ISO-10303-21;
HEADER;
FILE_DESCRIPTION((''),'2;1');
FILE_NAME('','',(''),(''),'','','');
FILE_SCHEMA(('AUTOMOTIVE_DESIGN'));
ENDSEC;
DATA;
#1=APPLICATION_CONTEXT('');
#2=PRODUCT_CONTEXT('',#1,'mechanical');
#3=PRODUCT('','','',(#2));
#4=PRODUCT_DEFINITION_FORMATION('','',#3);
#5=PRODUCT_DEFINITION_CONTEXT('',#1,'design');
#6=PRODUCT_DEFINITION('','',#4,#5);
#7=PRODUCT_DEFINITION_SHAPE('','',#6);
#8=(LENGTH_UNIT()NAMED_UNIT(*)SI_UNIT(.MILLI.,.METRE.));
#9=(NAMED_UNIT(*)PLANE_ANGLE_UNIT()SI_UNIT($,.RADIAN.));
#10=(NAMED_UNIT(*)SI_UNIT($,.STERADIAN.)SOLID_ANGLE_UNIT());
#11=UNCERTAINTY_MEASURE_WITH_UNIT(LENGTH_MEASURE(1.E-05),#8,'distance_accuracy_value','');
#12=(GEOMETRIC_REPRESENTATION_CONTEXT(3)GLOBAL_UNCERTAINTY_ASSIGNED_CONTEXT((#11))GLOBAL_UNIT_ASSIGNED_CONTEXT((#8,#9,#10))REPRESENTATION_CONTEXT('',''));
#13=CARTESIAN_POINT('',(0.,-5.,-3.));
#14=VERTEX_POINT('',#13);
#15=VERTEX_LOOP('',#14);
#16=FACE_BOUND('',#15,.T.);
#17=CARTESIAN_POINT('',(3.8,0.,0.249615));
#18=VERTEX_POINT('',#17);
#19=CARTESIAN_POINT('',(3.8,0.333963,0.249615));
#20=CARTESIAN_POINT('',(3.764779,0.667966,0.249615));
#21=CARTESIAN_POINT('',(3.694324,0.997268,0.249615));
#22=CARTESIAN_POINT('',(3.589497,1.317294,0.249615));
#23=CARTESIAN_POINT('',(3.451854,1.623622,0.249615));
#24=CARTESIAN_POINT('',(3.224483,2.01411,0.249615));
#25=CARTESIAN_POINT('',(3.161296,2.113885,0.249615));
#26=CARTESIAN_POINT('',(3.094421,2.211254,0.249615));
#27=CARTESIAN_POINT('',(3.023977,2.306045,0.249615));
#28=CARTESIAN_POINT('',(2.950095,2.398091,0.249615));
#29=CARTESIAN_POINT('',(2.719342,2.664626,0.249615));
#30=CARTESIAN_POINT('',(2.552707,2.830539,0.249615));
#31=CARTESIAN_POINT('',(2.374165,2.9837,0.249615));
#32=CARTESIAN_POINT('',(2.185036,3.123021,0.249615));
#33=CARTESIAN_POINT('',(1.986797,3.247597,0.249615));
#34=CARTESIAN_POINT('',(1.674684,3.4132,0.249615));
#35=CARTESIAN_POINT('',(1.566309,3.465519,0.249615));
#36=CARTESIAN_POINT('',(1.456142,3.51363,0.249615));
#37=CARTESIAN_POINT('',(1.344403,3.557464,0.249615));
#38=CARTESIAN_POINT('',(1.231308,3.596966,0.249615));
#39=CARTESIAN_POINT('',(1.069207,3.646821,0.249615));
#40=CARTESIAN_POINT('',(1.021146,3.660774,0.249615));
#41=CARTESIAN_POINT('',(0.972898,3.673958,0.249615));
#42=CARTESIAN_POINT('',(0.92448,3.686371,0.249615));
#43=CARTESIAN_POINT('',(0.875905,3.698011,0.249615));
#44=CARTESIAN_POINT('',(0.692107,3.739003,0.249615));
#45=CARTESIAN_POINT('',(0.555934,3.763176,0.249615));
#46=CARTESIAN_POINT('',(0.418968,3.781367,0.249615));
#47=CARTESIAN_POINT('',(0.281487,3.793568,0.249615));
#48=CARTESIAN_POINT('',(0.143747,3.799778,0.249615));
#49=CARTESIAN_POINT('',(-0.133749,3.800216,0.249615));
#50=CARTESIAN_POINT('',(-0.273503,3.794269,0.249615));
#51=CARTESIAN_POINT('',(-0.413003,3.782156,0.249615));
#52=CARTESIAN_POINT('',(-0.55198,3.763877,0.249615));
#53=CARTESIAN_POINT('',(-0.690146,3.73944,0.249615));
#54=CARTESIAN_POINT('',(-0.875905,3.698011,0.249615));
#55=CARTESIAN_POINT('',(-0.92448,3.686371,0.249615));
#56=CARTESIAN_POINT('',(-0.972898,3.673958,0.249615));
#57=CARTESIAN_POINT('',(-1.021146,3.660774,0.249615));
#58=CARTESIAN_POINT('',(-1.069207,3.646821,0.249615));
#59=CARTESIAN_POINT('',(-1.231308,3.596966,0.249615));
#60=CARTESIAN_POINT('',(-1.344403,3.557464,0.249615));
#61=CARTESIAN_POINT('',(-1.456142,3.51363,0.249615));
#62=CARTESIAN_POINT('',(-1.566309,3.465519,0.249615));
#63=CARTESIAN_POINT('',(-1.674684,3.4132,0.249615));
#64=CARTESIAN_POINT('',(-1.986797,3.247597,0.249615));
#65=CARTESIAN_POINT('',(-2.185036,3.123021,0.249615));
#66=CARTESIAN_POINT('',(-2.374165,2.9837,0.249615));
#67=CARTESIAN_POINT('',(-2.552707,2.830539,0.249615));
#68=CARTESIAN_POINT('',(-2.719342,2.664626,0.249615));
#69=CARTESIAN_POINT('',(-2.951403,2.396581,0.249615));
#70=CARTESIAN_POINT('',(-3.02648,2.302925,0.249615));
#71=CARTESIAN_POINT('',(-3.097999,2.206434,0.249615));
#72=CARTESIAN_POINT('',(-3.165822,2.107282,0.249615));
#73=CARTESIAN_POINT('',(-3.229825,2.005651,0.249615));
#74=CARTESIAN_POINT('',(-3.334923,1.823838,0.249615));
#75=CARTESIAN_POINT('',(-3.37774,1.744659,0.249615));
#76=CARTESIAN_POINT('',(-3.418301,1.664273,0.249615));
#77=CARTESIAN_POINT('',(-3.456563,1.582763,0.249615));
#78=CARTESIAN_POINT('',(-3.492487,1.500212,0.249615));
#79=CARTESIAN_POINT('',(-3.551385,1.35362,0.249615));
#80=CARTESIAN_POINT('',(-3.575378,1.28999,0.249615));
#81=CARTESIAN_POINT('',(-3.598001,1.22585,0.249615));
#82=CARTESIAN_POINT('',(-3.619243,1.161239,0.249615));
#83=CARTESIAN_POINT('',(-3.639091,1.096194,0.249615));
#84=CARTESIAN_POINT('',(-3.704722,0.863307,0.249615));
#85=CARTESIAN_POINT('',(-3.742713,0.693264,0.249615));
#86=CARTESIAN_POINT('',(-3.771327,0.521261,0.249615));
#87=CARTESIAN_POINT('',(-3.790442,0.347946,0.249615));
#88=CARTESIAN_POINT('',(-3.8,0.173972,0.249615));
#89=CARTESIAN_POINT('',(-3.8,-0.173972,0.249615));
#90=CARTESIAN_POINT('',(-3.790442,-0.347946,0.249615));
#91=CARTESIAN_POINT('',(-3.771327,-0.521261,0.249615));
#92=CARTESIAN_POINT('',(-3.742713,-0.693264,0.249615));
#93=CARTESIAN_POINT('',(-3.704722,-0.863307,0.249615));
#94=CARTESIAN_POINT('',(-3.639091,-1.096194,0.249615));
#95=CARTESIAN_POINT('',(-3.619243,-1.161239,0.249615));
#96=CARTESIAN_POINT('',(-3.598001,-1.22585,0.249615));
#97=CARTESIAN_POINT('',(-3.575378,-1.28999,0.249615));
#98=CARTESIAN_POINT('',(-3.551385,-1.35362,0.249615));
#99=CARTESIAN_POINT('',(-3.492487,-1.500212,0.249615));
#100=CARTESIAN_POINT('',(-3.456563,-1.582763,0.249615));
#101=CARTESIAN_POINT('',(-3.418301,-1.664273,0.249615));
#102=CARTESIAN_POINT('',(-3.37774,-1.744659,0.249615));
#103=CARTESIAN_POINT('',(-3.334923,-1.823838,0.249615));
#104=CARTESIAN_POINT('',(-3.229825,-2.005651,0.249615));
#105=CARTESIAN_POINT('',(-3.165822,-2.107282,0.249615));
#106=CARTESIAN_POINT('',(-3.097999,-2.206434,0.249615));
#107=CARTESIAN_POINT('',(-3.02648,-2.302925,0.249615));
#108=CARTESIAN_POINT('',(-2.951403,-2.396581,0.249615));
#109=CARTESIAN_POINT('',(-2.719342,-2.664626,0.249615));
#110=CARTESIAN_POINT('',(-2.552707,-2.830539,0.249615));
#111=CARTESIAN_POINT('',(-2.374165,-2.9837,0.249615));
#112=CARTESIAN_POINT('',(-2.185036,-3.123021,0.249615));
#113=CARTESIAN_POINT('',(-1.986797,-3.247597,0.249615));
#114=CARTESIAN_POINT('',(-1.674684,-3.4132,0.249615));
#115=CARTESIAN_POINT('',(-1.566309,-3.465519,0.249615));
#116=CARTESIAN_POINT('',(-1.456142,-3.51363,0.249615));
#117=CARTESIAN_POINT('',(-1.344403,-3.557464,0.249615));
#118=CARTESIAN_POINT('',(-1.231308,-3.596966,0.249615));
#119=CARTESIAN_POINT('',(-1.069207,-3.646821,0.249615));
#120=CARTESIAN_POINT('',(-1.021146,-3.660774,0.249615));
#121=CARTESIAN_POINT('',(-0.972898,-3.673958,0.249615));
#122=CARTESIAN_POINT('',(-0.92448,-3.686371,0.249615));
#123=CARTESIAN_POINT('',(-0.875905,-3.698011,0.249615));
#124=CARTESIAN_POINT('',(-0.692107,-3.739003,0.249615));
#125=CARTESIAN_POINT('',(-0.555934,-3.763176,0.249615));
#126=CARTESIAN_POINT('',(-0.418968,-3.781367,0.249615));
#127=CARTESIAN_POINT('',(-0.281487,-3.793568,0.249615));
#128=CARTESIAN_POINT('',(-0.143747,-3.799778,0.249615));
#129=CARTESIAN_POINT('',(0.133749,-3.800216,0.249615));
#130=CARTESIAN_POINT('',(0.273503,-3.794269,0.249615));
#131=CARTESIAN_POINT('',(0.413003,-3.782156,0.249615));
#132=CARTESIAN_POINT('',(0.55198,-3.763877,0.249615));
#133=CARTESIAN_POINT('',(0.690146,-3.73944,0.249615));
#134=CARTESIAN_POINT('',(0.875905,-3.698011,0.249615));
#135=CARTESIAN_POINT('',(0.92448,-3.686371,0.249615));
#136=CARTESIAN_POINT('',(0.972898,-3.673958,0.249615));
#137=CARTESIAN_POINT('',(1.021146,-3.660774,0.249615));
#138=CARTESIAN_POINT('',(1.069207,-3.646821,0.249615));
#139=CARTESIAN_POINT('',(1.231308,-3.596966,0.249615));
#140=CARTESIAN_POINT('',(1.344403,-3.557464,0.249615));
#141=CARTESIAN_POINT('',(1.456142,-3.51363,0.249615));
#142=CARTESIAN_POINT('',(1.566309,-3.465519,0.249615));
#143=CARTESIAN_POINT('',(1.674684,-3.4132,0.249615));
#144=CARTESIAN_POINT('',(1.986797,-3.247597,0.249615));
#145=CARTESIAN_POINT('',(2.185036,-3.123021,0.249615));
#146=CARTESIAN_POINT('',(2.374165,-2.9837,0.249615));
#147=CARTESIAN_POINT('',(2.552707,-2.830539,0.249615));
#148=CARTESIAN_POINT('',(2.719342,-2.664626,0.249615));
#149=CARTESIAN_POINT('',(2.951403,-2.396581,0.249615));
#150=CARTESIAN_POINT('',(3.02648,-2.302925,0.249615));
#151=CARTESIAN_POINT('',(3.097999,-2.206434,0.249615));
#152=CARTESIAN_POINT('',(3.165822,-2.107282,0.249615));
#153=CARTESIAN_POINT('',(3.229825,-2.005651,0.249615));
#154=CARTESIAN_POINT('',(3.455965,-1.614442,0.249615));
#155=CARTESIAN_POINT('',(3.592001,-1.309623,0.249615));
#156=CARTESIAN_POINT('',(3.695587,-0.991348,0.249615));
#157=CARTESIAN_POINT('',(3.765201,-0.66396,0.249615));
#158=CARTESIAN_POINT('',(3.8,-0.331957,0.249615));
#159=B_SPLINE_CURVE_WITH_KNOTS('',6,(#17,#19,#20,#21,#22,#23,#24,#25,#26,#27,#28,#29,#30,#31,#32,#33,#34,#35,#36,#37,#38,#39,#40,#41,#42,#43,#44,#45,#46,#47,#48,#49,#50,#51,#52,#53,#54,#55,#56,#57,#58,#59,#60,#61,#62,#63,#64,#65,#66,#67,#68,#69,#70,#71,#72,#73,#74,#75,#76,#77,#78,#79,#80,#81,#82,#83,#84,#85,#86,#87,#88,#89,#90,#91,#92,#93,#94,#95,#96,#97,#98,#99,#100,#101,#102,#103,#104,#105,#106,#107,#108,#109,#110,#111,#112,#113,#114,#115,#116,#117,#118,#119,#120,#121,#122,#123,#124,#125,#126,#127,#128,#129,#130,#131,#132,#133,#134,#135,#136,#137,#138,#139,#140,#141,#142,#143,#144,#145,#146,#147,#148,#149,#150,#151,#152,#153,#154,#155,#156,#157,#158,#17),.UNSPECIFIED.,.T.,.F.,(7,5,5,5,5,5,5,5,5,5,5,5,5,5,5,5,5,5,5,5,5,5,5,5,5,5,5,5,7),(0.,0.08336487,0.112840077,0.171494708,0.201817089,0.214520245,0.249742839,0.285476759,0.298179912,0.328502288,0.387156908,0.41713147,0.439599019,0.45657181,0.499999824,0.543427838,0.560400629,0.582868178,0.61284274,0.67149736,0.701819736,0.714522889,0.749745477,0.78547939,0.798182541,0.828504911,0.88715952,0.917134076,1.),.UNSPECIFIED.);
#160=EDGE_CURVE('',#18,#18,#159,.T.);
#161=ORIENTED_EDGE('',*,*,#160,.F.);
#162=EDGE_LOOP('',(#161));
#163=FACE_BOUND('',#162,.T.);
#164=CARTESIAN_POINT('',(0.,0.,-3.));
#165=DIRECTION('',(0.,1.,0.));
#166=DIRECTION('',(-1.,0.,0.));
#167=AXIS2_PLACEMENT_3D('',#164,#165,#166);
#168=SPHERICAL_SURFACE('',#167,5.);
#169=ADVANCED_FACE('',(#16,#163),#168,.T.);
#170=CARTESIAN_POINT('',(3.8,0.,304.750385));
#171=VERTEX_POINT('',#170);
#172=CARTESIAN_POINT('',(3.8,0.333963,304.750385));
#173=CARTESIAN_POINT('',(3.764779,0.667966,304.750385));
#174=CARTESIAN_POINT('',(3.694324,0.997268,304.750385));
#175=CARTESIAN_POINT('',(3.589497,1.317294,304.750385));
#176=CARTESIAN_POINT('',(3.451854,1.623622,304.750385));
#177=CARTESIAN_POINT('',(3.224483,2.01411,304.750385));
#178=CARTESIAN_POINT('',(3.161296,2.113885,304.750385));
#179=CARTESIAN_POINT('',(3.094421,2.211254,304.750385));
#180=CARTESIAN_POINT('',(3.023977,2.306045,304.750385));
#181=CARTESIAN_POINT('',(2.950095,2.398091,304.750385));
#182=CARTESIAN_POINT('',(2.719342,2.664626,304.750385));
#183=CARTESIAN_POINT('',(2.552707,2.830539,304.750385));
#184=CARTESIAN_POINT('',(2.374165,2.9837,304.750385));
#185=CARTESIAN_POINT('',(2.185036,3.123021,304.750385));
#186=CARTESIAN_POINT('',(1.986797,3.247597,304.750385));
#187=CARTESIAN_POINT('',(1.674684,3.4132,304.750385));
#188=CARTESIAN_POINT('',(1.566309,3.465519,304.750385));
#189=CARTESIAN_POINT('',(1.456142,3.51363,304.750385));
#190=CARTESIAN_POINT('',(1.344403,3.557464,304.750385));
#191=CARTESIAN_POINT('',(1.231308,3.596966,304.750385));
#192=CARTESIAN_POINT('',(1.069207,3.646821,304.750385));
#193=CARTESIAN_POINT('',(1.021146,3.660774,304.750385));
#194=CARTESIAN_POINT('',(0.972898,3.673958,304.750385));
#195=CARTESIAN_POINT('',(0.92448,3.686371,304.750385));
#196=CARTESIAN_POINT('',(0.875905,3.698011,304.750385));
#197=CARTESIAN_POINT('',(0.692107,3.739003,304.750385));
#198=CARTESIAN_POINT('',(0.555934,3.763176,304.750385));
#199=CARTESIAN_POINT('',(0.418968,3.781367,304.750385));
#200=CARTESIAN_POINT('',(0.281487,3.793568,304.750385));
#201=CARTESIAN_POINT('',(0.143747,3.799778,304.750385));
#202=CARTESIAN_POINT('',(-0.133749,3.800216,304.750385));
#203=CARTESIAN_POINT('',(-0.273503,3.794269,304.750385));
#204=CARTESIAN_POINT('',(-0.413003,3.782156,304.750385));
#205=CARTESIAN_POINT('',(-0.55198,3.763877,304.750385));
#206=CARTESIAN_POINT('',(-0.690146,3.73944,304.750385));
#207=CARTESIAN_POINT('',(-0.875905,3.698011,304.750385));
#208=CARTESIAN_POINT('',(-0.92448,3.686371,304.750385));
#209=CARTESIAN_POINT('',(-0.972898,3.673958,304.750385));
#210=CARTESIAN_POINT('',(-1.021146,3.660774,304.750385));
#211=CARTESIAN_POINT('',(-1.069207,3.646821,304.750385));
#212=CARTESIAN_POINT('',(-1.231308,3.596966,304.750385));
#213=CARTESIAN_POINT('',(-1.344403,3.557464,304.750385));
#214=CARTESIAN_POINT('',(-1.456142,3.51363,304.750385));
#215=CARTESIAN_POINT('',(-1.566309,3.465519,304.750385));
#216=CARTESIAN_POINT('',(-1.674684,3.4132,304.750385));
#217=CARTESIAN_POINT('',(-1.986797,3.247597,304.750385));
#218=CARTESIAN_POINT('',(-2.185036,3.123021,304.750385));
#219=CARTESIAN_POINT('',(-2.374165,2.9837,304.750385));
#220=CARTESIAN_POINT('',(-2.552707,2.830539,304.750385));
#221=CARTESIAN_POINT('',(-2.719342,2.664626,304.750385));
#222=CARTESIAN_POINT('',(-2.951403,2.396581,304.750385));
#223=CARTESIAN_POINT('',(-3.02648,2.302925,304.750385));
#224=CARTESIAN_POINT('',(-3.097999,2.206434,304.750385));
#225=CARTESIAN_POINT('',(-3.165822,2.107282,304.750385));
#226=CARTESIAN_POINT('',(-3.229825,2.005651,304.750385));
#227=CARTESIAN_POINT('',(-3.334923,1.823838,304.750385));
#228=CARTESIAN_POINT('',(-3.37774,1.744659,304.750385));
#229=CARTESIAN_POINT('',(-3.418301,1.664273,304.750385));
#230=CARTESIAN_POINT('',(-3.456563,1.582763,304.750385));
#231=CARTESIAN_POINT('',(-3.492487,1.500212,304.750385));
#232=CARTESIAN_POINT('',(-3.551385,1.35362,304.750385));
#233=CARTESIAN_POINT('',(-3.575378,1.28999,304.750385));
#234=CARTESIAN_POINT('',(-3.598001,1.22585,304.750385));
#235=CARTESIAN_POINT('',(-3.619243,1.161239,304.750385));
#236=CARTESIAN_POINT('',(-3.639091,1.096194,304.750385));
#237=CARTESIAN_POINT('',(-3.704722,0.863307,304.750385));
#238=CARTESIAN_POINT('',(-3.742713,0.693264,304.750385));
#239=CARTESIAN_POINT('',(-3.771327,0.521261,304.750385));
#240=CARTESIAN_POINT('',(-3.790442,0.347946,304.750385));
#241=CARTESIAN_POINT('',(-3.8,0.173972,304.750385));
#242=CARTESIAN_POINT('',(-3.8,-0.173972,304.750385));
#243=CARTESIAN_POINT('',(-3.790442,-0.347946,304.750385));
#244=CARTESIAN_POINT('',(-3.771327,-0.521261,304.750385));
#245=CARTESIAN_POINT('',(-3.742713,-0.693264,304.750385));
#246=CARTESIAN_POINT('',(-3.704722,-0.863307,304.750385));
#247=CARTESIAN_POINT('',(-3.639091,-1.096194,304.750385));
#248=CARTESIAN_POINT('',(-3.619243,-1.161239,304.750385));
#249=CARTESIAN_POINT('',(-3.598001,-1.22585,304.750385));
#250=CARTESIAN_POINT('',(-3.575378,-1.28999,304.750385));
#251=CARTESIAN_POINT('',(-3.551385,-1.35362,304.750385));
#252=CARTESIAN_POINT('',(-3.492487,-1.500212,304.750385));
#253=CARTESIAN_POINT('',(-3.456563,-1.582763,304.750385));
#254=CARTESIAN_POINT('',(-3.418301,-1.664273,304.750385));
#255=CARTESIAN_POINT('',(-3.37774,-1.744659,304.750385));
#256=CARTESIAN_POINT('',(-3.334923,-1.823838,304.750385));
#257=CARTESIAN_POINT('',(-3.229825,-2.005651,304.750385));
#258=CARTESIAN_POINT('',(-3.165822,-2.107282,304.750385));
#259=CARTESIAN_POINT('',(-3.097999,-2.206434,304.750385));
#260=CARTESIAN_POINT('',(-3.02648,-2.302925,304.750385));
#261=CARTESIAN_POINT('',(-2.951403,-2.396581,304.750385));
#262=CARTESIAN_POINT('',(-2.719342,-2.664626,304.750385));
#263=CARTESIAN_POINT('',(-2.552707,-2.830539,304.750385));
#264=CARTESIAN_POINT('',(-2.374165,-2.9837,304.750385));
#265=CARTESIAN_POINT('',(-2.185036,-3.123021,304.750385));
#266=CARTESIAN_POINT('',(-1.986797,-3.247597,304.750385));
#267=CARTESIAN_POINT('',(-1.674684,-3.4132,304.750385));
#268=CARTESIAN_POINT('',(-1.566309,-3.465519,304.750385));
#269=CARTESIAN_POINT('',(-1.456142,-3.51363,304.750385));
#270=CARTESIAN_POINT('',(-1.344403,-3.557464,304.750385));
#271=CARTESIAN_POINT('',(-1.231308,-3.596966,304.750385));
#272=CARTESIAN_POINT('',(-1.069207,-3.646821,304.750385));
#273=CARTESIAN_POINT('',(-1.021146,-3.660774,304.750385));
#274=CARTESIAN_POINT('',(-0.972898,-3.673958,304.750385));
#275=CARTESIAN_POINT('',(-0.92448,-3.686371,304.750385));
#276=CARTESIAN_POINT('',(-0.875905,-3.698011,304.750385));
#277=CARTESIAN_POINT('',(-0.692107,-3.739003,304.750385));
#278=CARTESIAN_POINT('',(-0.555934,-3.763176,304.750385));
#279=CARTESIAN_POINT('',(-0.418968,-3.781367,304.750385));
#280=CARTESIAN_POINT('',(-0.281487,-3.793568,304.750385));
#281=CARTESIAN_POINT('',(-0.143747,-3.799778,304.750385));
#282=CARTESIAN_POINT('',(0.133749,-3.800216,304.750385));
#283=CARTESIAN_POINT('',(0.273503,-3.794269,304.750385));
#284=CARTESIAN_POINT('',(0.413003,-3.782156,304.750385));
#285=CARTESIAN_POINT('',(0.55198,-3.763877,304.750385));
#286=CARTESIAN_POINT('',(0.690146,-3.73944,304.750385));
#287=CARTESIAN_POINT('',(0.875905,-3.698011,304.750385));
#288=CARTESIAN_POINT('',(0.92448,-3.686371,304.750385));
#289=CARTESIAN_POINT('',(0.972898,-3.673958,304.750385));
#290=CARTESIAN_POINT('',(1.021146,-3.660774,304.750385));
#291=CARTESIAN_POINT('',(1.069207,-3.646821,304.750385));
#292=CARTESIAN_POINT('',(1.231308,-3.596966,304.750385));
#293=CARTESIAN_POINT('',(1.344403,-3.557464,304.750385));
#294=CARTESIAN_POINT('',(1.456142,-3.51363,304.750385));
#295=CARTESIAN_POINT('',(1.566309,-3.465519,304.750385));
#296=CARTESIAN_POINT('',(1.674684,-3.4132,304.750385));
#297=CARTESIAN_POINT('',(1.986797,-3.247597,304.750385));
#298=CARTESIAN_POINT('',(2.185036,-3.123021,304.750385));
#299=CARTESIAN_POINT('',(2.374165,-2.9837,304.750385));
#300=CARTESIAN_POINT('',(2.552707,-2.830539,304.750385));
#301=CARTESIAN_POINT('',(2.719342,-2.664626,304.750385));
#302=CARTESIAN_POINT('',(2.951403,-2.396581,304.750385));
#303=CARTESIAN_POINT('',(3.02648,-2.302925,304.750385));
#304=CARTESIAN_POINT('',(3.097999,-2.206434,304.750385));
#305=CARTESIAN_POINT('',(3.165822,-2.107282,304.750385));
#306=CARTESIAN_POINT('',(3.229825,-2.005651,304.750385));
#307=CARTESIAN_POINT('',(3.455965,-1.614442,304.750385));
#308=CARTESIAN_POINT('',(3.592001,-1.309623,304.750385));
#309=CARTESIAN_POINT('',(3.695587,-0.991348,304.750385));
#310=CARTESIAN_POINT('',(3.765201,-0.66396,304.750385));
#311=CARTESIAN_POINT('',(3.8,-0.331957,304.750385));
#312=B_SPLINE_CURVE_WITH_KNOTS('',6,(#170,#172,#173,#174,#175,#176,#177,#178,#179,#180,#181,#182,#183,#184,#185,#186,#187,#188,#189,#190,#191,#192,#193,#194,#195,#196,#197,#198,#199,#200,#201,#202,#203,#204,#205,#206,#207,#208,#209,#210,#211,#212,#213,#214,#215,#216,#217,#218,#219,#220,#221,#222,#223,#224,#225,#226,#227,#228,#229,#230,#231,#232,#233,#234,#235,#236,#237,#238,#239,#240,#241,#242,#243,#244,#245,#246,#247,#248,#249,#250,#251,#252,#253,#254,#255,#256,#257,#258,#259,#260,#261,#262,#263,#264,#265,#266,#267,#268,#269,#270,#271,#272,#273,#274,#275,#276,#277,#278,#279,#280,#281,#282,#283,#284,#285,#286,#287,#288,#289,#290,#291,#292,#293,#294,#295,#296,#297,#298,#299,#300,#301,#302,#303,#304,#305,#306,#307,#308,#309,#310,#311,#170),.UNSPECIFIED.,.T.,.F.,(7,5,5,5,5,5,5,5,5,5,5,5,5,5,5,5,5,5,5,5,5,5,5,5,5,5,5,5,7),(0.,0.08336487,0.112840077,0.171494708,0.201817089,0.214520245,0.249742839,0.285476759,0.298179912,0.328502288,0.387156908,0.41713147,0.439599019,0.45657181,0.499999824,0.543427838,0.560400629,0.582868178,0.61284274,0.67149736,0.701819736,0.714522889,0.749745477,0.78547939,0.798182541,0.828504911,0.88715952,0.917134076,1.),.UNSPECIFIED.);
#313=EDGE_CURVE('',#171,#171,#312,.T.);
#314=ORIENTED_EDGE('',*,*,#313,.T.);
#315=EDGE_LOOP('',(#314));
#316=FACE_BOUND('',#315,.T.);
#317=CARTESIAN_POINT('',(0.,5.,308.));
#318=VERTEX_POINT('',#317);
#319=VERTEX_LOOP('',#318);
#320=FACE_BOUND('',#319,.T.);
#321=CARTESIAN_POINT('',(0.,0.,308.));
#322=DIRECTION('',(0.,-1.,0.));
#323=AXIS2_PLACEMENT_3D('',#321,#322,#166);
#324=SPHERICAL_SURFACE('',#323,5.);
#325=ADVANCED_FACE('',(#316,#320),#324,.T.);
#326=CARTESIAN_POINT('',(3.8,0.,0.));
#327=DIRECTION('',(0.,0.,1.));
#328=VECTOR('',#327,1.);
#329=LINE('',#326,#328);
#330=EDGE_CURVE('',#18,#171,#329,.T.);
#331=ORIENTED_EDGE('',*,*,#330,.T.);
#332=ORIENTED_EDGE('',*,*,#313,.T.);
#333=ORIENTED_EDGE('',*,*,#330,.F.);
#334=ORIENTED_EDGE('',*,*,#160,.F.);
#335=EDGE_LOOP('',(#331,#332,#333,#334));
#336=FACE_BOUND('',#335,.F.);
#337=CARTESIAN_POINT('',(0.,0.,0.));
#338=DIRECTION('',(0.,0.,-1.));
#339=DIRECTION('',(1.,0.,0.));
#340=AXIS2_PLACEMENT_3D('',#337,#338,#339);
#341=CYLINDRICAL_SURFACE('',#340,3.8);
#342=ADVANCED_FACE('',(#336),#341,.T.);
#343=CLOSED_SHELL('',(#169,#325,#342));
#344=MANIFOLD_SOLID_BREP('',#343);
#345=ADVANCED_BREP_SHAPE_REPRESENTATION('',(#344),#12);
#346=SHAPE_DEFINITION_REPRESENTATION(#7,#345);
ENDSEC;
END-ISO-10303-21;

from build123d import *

# Parameters (mm, degrees)
F0_R     = 3.8
F1_DEPTH = 305


with BuildPart() as f1:
    # F0 (on Top) → F1 (new body)
    with BuildSketch(Plane.XY):
        Circle(F0_R)
    extrude(amount=F1_DEPTH)

    # F3 (on offset) → F4 (revolve)
    with BuildSketch(Plane.XY.offset(308)):
        with BuildLine():
            Line((0, -5), (0, 5))
            ThreePointArc((0, 5), (-5, 0), (0, -5))
        make_face()
    revolve(axis=Axis((0, 0, 308), (0, -1, 0)))

    # F6 (on offset) → F7 (revolve)
    with BuildSketch(Plane(origin=(0, 0, -3), x_dir=(1, 0, 0), z_dir=(0, 0, -1))):
        with BuildLine():
            Line((0, -5), (0, 5))
            ThreePointArc((0, 5), (-5, 0), (0, -5))
        make_face()
    revolve(axis=Axis((0, 0, -3), (0, 1, 0)))


solid = f1.part
